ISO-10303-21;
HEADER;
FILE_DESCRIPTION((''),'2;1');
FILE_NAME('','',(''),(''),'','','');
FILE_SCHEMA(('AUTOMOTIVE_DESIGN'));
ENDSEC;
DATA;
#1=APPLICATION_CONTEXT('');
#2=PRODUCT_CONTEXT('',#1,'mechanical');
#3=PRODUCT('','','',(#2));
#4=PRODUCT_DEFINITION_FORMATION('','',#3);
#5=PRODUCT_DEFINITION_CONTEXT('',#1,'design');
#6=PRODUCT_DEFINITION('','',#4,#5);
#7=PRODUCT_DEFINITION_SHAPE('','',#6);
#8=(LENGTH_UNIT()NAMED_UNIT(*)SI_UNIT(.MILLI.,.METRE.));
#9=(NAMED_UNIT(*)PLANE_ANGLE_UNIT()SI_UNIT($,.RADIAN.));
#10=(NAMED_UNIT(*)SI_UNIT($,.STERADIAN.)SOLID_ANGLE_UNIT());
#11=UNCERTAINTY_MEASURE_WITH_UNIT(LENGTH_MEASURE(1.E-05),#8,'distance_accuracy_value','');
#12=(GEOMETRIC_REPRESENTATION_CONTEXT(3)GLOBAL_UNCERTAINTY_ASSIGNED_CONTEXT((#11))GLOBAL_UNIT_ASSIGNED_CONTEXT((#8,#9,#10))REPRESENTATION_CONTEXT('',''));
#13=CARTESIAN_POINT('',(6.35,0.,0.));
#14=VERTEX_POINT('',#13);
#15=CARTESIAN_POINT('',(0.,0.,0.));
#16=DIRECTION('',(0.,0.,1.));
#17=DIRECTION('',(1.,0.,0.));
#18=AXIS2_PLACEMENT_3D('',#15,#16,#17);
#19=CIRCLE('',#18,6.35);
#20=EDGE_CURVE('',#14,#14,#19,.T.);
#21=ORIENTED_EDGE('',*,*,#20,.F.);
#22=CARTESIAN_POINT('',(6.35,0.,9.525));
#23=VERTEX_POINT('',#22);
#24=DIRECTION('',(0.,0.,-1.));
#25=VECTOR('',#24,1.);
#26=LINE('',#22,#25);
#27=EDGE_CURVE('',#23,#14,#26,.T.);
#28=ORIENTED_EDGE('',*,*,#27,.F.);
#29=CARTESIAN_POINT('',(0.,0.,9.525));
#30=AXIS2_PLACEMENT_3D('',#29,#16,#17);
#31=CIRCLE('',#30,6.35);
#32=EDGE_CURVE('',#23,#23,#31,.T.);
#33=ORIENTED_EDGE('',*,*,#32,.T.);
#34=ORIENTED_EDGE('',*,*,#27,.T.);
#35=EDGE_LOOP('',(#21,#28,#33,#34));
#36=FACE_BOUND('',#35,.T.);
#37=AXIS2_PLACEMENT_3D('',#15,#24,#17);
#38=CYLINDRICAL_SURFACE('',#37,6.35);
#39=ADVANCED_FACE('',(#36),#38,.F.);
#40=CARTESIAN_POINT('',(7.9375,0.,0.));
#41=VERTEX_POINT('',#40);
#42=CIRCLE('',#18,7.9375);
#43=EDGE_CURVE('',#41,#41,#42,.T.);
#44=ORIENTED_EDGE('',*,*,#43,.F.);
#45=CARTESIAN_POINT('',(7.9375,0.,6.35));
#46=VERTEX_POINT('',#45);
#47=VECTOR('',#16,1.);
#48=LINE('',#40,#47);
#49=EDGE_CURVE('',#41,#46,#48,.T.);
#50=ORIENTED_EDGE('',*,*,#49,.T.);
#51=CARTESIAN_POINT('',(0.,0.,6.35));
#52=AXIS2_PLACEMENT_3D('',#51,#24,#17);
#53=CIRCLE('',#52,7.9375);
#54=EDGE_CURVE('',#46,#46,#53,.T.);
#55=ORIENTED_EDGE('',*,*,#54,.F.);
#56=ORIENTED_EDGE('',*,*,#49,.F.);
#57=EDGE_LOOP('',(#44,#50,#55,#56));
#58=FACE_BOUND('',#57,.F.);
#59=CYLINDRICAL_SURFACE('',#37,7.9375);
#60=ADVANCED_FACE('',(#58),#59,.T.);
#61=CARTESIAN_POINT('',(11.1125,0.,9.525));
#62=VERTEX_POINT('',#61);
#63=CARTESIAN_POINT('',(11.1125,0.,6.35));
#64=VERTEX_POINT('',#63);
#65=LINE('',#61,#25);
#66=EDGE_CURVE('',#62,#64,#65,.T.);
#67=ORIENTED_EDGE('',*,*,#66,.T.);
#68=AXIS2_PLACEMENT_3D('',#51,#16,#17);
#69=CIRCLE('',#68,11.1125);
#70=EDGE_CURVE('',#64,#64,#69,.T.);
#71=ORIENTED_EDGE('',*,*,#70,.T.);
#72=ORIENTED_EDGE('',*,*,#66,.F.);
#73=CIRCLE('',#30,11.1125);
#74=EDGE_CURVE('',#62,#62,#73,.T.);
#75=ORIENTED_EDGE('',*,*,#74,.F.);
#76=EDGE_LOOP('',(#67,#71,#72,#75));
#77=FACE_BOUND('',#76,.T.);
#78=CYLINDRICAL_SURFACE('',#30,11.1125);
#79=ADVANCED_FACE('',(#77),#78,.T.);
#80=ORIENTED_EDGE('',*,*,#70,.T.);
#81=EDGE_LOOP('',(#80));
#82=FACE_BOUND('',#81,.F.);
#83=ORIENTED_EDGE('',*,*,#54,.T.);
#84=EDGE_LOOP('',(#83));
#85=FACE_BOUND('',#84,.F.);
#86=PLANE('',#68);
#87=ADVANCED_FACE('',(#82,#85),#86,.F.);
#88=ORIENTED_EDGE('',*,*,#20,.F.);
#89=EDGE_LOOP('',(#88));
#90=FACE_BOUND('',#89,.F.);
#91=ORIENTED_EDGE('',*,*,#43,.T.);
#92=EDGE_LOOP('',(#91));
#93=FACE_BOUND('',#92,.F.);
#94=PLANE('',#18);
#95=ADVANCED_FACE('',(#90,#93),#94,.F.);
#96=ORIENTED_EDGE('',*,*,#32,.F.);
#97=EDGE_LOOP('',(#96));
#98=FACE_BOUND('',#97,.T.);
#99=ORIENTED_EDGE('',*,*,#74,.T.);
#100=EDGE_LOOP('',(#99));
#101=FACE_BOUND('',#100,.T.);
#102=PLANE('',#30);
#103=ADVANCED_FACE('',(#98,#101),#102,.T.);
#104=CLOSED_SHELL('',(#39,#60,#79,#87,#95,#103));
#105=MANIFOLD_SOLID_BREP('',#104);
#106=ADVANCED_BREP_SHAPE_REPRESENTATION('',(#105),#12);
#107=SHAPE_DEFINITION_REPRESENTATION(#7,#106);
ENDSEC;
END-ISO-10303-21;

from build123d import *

# Parameters (mm, degrees)
SKETCH1_R           = 7.9375
SKETCH1_R_2         = 6.35
BOSS_EXTRUDE1_DEPTH = 9.525
SKETCH2_R           = 11.1125
SKETCH2_R_2         = 6.35
BOSS_EXTRUDE2_DEPTH = 3.175


with BuildPart() as part:
    # Sketch1 → Boss-Extrude1 (new body)
    with BuildSketch(Plane.XY):
        Circle(SKETCH1_R)
        Circle(SKETCH1_R_2, mode=Mode.SUBTRACT)
    extrude(amount=BOSS_EXTRUDE1_DEPTH)

    # Sketch2 → Boss-Extrude2 (add)
    with BuildSketch(Plane.XY.offset(9.525)):
        Circle(SKETCH2_R)
        Circle(SKETCH2_R_2, mode=Mode.SUBTRACT)
    extrude(amount=-BOSS_EXTRUDE2_DEPTH)


solid = part.part
